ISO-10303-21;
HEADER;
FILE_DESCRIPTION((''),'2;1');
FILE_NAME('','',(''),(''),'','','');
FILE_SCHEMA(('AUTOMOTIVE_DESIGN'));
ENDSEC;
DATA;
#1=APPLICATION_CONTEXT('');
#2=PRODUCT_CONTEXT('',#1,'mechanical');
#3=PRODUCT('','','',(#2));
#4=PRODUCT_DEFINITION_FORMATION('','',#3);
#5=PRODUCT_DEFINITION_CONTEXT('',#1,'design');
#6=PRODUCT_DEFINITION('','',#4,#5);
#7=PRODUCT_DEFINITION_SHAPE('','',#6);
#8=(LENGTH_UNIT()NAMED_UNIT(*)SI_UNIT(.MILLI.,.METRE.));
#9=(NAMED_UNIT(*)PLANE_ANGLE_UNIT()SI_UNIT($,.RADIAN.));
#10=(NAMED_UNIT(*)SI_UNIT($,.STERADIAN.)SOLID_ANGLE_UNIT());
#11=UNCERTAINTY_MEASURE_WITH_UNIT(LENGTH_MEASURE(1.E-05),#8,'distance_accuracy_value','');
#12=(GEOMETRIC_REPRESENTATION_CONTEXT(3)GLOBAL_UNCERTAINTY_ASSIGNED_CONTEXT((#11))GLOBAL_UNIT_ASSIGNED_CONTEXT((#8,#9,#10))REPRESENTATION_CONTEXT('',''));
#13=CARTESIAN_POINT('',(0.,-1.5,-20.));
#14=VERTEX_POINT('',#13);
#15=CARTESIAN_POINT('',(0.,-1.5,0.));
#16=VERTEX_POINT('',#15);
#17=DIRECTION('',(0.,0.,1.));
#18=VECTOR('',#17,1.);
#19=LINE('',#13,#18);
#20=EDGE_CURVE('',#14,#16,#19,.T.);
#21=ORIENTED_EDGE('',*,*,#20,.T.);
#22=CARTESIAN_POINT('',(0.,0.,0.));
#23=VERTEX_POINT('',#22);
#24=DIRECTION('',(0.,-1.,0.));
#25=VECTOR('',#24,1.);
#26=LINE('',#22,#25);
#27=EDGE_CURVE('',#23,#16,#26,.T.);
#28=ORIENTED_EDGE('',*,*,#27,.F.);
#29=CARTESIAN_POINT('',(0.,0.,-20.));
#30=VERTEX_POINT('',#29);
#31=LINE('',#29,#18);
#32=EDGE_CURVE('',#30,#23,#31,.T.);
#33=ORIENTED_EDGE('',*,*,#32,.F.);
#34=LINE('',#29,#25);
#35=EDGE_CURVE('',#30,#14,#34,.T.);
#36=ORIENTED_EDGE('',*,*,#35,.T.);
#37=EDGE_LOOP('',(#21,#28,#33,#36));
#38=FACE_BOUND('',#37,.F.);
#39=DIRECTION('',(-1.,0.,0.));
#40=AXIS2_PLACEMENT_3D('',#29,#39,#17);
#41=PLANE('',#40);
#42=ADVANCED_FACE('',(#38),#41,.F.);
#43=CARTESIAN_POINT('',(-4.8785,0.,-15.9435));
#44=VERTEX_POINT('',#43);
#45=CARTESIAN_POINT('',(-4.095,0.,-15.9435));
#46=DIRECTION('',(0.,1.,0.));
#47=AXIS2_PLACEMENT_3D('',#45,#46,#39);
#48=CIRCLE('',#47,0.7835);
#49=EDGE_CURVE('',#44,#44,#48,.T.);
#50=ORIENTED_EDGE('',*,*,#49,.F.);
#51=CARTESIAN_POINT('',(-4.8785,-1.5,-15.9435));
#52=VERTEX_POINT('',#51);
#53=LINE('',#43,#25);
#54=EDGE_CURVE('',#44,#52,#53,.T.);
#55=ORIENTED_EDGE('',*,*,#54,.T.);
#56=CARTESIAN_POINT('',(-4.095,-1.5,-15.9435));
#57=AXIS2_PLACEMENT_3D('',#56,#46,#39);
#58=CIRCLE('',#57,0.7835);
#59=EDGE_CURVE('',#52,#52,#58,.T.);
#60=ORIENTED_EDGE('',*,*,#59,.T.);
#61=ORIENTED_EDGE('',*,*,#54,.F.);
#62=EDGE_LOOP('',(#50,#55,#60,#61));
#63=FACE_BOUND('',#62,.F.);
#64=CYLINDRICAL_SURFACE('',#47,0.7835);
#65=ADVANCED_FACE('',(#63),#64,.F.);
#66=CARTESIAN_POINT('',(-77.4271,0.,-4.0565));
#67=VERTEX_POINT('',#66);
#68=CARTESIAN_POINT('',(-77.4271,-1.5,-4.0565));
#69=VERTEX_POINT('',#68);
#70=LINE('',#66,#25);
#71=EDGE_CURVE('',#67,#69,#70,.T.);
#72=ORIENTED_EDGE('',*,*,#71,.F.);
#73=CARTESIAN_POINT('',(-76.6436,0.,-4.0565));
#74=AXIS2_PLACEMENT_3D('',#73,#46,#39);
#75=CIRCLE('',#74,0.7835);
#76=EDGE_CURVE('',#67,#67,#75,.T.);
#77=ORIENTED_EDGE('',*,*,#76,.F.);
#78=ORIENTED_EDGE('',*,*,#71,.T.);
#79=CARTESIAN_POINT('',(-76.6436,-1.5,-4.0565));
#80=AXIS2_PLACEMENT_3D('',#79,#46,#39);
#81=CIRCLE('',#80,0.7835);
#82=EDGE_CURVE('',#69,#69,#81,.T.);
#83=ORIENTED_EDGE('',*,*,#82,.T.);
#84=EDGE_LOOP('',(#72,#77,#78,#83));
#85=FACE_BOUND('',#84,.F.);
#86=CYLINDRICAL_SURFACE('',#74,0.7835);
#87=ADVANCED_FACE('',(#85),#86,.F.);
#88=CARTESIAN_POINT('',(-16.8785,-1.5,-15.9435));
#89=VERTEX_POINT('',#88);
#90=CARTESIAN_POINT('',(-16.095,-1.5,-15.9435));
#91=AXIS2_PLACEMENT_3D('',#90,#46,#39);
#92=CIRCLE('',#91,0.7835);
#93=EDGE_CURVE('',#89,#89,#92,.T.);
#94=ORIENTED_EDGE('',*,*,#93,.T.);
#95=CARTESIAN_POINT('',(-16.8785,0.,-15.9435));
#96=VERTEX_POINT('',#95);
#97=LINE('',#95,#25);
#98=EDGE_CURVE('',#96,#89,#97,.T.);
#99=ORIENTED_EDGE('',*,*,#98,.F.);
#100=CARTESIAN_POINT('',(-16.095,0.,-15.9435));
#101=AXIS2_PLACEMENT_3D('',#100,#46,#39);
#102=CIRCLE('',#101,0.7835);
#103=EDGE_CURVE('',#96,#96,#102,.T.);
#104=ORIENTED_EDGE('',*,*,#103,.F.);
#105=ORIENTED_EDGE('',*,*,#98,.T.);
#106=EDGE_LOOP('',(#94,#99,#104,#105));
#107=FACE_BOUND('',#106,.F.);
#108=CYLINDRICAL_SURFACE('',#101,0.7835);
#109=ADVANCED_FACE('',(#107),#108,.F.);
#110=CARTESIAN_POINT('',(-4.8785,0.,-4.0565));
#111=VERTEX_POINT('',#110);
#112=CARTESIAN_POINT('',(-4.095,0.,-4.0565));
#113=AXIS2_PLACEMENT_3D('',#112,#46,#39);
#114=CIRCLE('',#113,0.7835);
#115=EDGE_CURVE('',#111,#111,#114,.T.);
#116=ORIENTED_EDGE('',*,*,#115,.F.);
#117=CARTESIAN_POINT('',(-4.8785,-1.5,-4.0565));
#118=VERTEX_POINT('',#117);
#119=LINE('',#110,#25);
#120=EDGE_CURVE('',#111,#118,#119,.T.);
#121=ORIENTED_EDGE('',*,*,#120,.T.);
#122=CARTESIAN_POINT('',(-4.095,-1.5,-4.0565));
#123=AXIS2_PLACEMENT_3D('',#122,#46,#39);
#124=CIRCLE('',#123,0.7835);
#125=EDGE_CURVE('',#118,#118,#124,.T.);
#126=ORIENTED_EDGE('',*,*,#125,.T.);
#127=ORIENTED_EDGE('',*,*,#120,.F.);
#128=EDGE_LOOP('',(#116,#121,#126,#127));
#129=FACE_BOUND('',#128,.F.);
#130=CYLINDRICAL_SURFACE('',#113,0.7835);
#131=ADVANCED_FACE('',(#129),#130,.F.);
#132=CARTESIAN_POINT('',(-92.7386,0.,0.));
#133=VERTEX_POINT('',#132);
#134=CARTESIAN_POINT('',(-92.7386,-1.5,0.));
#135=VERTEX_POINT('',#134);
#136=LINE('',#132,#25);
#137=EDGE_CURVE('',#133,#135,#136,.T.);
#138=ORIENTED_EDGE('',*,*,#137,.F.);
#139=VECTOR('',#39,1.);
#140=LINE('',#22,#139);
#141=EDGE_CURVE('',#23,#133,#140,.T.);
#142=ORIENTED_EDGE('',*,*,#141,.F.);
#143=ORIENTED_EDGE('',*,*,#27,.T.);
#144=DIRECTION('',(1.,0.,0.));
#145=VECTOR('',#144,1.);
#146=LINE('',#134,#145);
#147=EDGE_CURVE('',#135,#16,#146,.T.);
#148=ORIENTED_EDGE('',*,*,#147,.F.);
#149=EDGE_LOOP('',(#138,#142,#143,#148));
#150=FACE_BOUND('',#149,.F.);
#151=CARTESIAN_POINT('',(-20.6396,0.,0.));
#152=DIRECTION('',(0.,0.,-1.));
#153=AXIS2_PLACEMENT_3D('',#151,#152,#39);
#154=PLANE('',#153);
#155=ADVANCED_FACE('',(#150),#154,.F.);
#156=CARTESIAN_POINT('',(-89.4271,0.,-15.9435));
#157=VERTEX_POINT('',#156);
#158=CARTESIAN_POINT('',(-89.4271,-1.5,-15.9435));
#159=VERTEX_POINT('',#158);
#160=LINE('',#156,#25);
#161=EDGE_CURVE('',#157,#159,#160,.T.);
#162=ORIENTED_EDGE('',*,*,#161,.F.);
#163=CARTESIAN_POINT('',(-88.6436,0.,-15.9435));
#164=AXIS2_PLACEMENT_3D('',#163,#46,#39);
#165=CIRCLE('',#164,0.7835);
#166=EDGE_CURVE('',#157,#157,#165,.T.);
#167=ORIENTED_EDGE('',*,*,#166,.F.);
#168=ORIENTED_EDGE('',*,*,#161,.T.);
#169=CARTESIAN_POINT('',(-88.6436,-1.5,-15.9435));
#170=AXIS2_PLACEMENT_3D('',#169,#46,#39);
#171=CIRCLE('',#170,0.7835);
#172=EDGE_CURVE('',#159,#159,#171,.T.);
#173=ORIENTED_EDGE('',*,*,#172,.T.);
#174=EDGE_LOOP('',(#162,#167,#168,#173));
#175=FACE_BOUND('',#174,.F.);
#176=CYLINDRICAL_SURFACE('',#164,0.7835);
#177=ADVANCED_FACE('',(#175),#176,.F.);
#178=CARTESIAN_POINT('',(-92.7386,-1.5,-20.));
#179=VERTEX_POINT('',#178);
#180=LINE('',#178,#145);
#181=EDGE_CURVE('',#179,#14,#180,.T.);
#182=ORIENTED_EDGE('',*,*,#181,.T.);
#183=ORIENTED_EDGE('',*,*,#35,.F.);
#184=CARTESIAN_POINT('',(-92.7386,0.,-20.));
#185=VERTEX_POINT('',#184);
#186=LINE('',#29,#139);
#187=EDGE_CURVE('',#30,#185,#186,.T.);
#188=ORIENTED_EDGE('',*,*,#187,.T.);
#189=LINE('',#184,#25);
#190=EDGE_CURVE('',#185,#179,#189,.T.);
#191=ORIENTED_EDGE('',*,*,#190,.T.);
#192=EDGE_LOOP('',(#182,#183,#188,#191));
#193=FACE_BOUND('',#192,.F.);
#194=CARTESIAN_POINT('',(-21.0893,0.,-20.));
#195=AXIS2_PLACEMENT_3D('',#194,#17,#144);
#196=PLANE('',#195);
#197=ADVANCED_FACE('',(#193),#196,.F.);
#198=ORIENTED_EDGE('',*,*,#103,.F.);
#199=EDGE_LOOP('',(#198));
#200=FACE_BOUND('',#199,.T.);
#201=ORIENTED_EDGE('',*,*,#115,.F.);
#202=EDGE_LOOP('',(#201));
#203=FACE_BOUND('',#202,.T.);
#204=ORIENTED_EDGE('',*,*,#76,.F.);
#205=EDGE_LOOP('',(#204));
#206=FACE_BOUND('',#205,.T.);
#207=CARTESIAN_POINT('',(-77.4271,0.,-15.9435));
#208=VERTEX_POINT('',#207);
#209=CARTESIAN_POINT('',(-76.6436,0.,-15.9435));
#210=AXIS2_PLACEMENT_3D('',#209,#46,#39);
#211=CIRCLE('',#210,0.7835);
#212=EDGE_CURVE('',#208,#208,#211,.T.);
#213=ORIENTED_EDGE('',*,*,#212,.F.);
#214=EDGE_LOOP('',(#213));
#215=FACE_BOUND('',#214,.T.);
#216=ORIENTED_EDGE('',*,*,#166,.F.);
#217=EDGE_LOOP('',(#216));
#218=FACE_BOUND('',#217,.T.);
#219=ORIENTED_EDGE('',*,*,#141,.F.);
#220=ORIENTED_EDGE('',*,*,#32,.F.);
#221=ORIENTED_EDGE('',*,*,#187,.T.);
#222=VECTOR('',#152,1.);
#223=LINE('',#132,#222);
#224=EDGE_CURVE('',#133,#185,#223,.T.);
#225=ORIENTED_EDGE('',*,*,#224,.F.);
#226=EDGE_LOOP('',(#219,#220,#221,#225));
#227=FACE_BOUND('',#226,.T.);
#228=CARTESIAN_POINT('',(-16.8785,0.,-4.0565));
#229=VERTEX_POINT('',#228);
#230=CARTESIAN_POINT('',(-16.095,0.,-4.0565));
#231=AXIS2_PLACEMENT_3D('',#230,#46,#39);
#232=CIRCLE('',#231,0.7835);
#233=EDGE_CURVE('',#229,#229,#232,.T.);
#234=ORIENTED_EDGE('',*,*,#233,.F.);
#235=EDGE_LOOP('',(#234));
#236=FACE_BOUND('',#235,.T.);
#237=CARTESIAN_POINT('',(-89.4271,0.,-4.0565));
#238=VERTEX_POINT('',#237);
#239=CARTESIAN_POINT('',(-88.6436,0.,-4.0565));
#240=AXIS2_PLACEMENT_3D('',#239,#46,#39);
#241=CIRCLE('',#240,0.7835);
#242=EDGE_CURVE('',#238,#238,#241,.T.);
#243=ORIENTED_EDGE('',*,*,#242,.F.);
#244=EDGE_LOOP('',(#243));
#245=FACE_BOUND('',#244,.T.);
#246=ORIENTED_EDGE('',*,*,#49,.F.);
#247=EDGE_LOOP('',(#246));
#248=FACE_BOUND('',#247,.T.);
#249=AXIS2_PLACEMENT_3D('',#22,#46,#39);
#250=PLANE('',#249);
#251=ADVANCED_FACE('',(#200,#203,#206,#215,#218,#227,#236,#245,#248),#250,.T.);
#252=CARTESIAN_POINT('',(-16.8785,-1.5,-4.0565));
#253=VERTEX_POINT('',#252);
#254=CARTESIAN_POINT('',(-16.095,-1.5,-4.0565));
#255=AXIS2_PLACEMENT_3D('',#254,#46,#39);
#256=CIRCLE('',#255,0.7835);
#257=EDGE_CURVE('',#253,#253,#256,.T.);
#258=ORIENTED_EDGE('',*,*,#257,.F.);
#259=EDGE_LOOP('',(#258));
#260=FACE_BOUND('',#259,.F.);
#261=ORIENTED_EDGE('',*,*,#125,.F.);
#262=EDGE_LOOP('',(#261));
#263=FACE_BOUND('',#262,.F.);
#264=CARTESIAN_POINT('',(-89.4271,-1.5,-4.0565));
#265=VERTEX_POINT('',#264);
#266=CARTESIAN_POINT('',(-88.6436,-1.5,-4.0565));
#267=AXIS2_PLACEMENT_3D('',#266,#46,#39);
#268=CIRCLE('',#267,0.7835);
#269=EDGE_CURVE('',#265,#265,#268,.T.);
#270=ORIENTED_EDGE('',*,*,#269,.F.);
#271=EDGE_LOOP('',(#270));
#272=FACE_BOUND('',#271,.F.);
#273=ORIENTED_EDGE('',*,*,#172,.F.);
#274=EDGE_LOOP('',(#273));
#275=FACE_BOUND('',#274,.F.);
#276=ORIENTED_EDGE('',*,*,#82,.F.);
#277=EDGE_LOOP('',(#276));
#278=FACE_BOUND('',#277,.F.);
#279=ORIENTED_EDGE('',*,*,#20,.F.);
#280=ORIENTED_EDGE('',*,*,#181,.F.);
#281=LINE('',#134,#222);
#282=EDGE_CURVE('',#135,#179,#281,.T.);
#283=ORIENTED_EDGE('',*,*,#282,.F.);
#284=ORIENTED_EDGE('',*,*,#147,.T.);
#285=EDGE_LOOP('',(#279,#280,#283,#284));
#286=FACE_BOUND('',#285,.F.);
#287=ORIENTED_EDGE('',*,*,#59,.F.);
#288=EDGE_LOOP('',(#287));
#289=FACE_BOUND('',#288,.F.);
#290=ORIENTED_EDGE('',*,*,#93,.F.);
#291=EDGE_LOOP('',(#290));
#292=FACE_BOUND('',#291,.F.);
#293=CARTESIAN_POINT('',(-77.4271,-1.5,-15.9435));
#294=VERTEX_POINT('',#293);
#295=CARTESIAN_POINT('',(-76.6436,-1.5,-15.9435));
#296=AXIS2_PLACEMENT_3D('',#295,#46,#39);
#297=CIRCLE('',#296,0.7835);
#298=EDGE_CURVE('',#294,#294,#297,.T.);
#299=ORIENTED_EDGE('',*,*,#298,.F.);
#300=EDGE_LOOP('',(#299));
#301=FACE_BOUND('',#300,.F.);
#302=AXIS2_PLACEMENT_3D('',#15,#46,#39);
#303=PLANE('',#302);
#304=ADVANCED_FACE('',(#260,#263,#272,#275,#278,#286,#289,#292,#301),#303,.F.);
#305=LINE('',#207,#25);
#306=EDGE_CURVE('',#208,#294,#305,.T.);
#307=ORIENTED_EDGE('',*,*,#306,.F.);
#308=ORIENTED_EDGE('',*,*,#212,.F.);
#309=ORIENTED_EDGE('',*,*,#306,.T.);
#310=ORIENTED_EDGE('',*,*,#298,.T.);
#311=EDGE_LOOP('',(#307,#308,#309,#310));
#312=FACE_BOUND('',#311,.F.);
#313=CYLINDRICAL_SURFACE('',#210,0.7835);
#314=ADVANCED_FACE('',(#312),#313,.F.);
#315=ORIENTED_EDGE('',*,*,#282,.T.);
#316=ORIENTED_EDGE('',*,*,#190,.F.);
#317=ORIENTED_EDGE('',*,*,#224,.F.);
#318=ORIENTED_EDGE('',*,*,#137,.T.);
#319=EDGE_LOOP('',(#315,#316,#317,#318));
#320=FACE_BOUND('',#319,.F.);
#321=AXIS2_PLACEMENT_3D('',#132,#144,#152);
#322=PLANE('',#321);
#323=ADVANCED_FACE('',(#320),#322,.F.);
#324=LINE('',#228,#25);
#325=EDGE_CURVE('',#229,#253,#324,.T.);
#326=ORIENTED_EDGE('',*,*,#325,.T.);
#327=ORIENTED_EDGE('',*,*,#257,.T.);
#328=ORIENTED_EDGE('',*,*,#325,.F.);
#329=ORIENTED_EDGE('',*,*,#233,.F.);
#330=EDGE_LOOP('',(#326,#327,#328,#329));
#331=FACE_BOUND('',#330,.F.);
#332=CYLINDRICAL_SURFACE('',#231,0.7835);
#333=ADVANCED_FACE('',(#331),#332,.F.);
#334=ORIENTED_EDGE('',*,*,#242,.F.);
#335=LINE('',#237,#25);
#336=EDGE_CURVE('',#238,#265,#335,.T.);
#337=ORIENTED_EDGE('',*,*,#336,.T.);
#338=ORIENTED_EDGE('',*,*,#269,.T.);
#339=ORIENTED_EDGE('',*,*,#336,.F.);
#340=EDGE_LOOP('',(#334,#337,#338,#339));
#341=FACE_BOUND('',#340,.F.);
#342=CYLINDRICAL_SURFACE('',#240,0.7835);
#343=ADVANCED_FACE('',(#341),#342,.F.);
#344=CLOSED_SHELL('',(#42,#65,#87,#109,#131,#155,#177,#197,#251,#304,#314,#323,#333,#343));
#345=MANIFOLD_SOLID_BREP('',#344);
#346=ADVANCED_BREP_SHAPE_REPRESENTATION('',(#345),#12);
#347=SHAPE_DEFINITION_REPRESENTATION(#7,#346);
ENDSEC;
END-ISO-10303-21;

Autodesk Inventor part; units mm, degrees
ref_plane "YZ Plane" through (0, 0, 0) normal (1, 0, 0) x (0, 1, 0)
ref_plane "XZ Plane" through (0, 0, 0) normal (0, 1, 0) x (-1, 0, 0)
ref_plane "XY Plane" through (0, 0, 0) normal (0, 0, 1) x (1, 0, 0)
sketch "Sketch1" plane through (0, 0, 0) normal (0, 1, 0) x (-1, 0, 0)
  line L0 (20.6396, 0) -> (20.6396, -20)
  line L1 (72.0989, -20) -> (72.0989, 0)
  circle A0 centre (88.6436, -4.0565) radius 0.7835
  circle A1 centre (4.095, -4.0565) radius 0.7835
  circle A2 centre (76.6436, -4.0565) radius 0.7835
  circle A3 centre (16.095, -4.0565) radius 0.7835
  circle A4 centre (88.6436, -15.9435) radius 0.7835
  circle A5 centre (4.095, -15.9435) radius 0.7835
  circle A6 centre (76.6436, -15.9435) radius 0.7835
  circle A7 centre (16.095, -15.9435) radius 0.7835
  line L2 (0, -20) -> (0, 0)
  line L3 (92.7386, -20) -> (0, -20)
  line L4 (0, 0) -> (92.7386, 0)
  line L5 (92.7386, 0) -> (92.7386, -20)
  line L6 (72.5486, 0) -> (72.5486, -20)
  line L7 (71.6493, -20) -> (71.6493, 0)
  line L8 (21.0893, 0) -> (21.0893, -20)
  line L9 (20.19, -20) -> (20.19, 0)
  point P0 (0, 0)
extrude "Extrusion1" add sketch "Sketch1" against normal blind 1.5
properties part number "axis_3_bottom_frame(middle)" material "Aluminum 6061-AHC"
